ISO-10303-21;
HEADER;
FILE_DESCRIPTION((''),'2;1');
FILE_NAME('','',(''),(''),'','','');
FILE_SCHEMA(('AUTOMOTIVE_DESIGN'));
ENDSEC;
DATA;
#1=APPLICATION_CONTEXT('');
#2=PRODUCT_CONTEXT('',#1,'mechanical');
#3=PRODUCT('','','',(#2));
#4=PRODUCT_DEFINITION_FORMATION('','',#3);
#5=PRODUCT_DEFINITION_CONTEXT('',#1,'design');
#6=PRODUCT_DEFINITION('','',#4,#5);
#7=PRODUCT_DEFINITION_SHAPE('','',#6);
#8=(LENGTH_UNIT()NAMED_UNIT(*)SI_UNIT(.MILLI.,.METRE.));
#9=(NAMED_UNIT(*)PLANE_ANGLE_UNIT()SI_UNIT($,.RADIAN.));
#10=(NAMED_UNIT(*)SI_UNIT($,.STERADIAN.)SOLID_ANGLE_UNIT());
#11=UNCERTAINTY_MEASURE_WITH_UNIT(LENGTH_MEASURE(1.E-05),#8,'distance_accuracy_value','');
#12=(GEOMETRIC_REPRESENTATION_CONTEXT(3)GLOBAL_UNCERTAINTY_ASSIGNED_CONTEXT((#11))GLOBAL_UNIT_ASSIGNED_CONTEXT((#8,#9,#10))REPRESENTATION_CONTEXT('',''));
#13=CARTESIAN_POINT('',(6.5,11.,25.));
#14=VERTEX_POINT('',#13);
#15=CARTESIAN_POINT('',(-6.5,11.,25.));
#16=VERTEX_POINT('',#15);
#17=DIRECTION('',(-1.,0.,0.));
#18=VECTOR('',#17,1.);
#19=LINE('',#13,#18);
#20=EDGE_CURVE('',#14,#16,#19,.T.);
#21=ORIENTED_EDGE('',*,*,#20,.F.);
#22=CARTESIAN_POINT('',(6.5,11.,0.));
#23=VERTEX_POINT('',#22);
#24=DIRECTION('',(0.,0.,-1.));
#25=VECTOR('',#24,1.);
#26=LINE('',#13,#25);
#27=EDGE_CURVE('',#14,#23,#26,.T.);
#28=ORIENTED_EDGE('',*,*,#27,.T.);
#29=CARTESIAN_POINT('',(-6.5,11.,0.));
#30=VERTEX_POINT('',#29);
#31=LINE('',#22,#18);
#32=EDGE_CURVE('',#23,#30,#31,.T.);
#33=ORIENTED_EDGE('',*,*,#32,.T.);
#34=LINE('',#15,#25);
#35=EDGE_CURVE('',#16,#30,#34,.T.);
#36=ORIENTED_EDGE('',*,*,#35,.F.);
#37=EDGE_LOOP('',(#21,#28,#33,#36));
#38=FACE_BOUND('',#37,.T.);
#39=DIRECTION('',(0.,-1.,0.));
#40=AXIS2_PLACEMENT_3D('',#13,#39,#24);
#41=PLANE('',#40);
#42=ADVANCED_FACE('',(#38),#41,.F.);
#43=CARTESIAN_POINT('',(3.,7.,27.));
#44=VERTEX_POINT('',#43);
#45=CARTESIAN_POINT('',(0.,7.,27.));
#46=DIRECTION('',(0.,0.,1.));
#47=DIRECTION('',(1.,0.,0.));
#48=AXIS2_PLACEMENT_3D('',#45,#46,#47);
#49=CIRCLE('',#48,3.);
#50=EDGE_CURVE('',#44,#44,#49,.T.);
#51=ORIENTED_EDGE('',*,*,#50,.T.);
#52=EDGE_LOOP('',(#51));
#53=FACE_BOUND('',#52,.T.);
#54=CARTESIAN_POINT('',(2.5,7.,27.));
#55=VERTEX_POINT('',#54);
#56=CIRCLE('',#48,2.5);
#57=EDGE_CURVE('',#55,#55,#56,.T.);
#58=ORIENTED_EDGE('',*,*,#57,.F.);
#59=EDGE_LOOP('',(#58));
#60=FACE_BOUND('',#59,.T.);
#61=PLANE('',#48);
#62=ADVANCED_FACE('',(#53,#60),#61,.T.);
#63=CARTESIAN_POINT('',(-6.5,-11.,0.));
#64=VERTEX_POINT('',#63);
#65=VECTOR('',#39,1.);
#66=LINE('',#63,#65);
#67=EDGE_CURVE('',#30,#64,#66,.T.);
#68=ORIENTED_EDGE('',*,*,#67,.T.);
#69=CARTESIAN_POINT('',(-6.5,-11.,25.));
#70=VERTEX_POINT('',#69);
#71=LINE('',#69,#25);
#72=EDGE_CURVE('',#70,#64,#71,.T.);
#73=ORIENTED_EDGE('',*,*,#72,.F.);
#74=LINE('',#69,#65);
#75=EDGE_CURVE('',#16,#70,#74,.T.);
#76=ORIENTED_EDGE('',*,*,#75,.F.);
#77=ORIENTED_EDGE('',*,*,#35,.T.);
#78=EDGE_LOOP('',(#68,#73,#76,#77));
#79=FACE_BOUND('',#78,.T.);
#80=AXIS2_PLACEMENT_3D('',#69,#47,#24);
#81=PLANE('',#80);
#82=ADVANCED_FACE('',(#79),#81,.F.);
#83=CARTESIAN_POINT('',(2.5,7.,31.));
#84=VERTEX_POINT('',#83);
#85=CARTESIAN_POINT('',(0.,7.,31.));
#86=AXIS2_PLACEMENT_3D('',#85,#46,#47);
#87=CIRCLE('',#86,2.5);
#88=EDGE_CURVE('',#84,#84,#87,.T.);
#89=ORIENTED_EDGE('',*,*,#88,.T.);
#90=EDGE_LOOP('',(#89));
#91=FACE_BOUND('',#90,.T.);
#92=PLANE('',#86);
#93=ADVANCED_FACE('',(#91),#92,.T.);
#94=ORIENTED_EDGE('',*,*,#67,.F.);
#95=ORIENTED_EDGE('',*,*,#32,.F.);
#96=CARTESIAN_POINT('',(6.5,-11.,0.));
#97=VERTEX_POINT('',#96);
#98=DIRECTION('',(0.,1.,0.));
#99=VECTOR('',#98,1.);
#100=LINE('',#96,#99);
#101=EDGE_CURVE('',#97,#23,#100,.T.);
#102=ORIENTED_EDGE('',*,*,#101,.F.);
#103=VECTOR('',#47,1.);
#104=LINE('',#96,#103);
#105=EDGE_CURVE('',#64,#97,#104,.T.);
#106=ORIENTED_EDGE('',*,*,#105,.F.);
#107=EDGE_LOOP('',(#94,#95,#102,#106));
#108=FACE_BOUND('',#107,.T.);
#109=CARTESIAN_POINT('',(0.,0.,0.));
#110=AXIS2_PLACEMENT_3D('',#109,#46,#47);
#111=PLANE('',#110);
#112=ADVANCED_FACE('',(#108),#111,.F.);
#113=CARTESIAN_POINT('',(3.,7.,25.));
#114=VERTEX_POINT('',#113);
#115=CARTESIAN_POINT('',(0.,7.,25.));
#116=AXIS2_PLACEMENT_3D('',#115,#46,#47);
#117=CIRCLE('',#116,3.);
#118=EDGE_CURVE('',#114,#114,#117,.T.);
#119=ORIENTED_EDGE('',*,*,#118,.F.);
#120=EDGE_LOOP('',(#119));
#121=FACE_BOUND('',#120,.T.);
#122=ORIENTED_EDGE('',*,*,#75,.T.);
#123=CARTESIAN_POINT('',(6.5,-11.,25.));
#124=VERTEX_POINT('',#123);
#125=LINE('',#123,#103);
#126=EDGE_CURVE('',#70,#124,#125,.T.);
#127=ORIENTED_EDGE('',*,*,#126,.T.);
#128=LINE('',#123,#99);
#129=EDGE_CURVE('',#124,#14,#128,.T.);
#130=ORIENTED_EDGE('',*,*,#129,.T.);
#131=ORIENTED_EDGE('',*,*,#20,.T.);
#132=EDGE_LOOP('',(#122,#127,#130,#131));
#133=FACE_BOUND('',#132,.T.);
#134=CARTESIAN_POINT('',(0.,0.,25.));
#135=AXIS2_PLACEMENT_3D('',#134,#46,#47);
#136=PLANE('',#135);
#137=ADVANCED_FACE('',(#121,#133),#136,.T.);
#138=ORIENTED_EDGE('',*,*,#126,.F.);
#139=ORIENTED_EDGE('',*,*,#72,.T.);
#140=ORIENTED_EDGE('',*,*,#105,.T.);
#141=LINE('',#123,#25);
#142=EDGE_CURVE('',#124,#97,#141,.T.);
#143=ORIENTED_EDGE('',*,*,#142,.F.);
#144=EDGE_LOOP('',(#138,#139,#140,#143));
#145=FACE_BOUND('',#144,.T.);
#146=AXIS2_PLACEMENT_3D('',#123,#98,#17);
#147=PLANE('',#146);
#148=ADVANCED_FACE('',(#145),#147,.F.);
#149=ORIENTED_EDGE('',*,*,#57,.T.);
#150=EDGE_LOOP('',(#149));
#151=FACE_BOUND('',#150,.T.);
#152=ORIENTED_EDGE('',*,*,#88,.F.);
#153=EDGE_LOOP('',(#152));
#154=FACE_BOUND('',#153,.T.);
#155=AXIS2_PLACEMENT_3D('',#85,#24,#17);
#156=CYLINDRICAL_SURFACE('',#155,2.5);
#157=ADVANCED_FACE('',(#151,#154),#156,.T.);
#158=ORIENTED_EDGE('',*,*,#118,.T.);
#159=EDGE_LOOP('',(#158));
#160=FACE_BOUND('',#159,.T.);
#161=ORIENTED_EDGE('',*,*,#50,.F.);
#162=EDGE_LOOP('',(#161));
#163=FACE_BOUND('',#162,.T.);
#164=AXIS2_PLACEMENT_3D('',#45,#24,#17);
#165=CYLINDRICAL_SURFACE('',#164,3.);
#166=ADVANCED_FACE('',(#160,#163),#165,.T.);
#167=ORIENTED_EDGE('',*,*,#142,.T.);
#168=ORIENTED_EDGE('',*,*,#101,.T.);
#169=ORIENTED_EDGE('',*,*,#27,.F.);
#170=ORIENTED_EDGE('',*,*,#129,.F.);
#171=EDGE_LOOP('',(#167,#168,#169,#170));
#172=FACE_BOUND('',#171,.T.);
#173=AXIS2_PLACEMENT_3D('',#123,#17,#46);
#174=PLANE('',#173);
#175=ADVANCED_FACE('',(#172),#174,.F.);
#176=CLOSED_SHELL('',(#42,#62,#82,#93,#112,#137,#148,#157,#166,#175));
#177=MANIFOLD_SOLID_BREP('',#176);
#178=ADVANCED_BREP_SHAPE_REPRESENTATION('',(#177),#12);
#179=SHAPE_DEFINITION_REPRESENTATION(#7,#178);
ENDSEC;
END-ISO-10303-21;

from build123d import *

# Parameters (mm, degrees)
SKETCH1_W           = 13
SKETCH1_H           = 22
BOSS_EXTRUDE1_DEPTH = 25
SKETCH2_R           = 3
BOSS_EXTRUDE2_DEPTH = 2
SKETCH3_R           = 2.5
BOSS_EXTRUDE3_DEPTH = 4


with BuildPart() as part:
    # Sketch1 → Boss-Extrude1 (new body)
    with BuildSketch(Plane.XY):
        Rectangle(SKETCH1_W, SKETCH1_H)
    extrude(amount=BOSS_EXTRUDE1_DEPTH)

    # Sketch2 → Boss-Extrude2 (add)
    with BuildSketch(Plane.XY.offset(25)):
        with Locations((0, 7)):
            Circle(SKETCH2_R)
    extrude(amount=BOSS_EXTRUDE2_DEPTH)

    # Sketch3 → Boss-Extrude3 (add)
    with BuildSketch(Plane.XY.offset(27)):
        with Locations((0, 7)):
            Circle(SKETCH3_R)
    extrude(amount=BOSS_EXTRUDE3_DEPTH)


solid = part.part
